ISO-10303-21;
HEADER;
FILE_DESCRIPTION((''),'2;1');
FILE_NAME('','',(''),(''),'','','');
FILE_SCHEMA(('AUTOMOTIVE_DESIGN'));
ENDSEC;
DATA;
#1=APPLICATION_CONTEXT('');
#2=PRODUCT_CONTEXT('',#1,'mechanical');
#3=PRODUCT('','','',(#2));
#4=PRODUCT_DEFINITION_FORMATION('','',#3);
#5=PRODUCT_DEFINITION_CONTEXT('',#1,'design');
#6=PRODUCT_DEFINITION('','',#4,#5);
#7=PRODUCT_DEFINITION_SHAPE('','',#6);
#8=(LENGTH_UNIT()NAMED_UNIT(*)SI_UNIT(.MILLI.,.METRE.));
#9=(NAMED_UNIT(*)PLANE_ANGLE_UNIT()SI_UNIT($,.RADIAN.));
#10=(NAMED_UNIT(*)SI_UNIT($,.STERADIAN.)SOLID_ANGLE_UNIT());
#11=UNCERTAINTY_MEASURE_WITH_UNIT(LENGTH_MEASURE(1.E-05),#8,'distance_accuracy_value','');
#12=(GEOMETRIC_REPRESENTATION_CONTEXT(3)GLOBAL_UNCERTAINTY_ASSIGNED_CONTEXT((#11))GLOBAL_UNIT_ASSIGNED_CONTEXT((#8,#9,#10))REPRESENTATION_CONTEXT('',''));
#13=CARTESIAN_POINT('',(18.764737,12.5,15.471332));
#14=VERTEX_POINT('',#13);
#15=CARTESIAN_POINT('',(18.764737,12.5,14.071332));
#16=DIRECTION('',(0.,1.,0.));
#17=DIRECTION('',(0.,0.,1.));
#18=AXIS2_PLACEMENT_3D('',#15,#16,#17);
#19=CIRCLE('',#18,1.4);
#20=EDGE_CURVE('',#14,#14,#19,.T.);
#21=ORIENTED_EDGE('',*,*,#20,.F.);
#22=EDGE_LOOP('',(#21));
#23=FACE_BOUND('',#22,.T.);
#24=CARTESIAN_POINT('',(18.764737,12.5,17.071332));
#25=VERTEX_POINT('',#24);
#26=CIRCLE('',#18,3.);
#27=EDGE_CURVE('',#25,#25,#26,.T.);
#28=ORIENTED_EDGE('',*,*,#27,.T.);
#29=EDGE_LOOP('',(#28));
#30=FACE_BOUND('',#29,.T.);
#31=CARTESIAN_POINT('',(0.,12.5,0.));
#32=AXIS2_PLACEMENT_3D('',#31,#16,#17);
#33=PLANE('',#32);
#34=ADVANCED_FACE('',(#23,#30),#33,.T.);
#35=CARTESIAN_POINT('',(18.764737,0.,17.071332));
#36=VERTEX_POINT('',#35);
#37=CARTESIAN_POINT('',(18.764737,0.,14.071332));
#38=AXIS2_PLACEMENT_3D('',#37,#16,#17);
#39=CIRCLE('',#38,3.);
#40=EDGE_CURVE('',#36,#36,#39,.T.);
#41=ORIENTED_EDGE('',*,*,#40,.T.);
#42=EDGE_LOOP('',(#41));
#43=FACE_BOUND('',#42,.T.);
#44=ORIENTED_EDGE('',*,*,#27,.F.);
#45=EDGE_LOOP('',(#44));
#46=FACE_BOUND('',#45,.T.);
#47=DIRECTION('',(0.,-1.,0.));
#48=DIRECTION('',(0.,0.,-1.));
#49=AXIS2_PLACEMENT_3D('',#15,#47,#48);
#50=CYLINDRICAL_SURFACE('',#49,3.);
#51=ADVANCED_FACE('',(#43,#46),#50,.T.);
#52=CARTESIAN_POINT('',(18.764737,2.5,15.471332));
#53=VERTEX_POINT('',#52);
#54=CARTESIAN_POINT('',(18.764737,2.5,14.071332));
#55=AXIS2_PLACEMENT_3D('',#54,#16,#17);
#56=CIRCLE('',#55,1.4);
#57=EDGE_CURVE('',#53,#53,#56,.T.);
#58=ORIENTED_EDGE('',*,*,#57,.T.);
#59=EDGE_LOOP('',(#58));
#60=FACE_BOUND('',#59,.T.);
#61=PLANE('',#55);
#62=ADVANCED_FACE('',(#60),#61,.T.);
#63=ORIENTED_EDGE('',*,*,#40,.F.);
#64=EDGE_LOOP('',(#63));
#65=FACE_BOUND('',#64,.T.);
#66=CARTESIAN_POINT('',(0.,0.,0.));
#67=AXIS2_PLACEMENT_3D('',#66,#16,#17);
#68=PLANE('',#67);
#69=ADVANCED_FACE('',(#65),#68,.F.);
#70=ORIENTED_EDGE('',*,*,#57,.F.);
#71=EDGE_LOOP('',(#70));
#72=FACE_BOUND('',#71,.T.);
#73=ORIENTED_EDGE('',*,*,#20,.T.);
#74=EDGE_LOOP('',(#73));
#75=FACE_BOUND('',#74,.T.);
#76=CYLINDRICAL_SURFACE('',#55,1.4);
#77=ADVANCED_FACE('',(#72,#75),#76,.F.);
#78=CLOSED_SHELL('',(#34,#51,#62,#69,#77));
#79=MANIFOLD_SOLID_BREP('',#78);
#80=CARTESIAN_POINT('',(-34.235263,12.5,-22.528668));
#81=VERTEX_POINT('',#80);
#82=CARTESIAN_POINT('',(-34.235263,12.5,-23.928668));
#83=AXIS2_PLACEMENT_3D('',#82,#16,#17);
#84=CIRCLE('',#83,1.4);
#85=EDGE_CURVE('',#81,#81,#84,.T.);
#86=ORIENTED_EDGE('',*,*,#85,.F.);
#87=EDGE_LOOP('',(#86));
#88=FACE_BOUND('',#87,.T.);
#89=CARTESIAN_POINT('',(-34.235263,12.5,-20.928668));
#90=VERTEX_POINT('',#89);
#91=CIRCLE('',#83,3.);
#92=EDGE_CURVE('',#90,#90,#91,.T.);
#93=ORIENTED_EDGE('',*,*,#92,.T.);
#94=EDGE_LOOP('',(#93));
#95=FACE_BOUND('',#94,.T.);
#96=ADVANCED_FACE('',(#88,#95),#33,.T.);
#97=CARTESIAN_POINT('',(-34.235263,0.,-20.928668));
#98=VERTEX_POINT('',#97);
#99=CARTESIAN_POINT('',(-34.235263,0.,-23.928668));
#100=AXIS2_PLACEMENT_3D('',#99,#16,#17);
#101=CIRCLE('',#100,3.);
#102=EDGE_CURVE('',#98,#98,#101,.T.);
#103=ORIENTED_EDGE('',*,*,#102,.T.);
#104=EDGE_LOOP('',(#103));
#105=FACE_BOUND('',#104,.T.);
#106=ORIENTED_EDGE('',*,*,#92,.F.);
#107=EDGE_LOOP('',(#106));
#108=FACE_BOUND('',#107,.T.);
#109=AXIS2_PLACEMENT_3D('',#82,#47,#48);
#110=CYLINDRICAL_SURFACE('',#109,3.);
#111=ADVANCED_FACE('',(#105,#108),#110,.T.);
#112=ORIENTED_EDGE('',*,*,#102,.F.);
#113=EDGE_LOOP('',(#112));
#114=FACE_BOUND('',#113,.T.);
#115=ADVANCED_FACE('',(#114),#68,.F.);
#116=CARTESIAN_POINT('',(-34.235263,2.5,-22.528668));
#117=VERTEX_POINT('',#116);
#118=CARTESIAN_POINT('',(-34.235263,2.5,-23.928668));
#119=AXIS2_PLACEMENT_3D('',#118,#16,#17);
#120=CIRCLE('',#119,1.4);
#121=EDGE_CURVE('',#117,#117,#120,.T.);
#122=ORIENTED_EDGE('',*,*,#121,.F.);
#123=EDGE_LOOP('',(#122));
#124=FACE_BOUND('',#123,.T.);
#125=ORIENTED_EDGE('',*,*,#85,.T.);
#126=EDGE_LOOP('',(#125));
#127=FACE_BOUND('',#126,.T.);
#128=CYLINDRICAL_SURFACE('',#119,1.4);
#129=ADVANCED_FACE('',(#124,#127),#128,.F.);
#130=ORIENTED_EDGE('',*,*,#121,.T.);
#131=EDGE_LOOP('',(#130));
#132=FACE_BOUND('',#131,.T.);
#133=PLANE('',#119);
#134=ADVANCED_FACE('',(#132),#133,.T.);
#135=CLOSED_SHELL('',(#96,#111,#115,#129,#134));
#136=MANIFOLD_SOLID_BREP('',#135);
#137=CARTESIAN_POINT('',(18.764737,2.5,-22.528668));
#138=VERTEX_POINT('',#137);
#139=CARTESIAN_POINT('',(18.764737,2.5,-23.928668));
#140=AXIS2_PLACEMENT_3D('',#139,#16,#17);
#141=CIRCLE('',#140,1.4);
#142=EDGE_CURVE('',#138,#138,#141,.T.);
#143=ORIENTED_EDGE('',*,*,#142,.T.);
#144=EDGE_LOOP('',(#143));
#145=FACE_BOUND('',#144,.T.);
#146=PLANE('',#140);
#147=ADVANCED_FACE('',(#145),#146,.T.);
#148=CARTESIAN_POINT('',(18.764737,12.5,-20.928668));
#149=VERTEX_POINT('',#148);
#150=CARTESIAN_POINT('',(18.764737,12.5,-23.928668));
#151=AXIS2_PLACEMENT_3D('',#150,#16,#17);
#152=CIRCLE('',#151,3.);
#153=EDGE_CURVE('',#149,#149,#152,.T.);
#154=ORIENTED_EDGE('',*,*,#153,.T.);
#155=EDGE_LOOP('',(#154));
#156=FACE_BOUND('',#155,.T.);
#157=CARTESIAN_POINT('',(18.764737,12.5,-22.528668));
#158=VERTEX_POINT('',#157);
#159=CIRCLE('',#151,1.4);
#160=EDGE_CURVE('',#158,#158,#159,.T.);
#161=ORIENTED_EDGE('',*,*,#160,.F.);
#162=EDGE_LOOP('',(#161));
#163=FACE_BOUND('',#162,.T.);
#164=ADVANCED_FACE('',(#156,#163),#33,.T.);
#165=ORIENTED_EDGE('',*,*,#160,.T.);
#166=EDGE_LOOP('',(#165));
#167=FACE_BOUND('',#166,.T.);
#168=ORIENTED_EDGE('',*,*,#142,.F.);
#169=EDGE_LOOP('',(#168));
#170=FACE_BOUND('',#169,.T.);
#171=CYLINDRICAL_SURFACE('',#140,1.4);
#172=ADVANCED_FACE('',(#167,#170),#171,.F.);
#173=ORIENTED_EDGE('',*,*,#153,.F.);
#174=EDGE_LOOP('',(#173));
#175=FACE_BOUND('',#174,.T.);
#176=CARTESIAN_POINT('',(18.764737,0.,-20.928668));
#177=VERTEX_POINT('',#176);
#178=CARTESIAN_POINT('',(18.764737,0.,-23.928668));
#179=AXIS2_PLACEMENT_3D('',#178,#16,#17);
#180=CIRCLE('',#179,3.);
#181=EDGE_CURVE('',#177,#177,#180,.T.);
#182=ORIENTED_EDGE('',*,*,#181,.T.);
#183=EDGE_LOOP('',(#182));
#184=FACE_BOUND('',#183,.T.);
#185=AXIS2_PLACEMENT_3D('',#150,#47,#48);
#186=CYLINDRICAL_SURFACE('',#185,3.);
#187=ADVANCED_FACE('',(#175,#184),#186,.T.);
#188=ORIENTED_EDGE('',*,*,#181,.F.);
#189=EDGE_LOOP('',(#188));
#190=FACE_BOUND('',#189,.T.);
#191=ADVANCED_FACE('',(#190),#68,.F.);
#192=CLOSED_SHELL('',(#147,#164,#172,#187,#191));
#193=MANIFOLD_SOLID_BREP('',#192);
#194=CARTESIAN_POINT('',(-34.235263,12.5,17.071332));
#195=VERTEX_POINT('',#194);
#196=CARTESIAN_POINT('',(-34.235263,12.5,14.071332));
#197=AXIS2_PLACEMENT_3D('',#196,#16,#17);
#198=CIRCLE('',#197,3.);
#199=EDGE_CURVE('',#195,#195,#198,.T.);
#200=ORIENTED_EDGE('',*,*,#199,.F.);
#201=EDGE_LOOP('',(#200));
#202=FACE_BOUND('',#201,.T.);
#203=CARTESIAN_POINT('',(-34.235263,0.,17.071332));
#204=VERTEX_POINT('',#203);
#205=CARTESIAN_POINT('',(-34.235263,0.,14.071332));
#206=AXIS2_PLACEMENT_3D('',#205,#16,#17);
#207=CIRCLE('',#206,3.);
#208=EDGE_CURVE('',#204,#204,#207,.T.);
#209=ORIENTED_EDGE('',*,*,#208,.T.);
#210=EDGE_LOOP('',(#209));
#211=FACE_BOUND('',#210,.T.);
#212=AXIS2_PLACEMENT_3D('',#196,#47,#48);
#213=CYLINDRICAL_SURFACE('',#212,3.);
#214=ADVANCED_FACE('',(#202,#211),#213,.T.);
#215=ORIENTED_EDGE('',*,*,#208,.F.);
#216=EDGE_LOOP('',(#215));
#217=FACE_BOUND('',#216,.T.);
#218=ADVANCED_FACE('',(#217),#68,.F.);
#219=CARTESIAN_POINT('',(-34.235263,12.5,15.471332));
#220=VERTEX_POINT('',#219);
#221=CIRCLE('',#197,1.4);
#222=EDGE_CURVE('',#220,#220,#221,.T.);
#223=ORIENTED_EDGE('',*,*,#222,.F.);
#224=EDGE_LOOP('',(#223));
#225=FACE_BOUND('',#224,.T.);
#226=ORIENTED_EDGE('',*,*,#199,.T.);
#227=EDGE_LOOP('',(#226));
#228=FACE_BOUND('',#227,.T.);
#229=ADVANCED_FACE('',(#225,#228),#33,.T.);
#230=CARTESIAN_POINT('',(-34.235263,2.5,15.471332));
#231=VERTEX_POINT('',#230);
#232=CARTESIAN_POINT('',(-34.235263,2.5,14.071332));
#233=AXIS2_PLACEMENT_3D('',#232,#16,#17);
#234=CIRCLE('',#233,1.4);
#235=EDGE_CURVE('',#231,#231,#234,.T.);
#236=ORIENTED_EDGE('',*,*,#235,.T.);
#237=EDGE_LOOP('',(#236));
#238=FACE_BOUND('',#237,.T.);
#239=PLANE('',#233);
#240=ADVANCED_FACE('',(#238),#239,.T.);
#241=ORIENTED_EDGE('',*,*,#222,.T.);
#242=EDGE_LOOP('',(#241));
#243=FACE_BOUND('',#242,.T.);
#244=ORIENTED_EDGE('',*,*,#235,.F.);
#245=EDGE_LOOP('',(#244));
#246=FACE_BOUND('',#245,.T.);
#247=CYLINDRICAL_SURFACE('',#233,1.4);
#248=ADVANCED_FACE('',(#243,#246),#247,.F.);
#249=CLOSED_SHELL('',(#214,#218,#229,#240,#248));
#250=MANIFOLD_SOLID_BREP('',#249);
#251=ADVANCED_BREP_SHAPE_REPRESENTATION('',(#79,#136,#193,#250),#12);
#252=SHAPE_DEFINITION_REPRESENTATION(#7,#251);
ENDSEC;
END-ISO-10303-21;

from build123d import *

# Parameters (mm, degrees)
SKETCH1_R             = 3
BOSS_EXTRUDE1_DEPTH   = 12.5
BOSS_EXTRUDE1_2_DEPTH = 12.5
BOSS_EXTRUDE1_3_DEPTH = 12.5
BOSS_EXTRUDE1_4_DEPTH = 12.5
SKETCH2_R             = 1.4
CUT_EXTRUDE1_DEPTH    = 10


with BuildPart() as part:
    # Sketch1 → Boss-Extrude1 (new body)
    with BuildSketch(Plane(origin=(0, 0, 0), x_dir=(1, 0, 0), z_dir=(0, 1, 0))):
        with Locations(Location((-34.235262899, 23.928667677, 0), (0, 0, 270))):
            Circle(SKETCH1_R)
    extrude(amount=BOSS_EXTRUDE1_DEPTH)


with BuildPart() as body_2:
    # Sketch1 → Boss-Extrude1 2 (new body)
    with BuildSketch(Plane(origin=(0, 0, 0), x_dir=(1, 0, 0), z_dir=(0, 1, 0))):
        with Locations(Location((-34.235262899, -14.071332323, 0), (0, 0, 270))):
            Circle(SKETCH1_R)
    extrude(amount=BOSS_EXTRUDE1_2_DEPTH)


with BuildPart() as body_3:
    # Sketch1 → Boss-Extrude1 3 (new body)
    with BuildSketch(Plane(origin=(0, 0, 0), x_dir=(1, 0, 0), z_dir=(0, 1, 0))):
        with Locations(Location((18.764737101, -14.071332323, 0), (0, 0, 270))):
            Circle(SKETCH1_R)
    extrude(amount=BOSS_EXTRUDE1_3_DEPTH)


with BuildPart() as body_4:
    # Sketch1 → Boss-Extrude1 4 (new body)
    with BuildSketch(Plane(origin=(0, 0, 0), x_dir=(1, 0, 0), z_dir=(0, 1, 0))):
        with Locations(Location((18.764737101, 23.928667677, 0), (0, 0, 270))):
            Circle(SKETCH1_R)
    extrude(amount=BOSS_EXTRUDE1_4_DEPTH)


with BuildPart() as cut_extrude1_tool:
    # Sketch2 → Cut-Extrude1 (new body)
    with BuildSketch(Plane(origin=(0, 12.5, 0), x_dir=(1, 0, 0), z_dir=(0, 1, 0))):
        with Locations(Location((-34.235262899, 23.928667677, 0), (0, 0, 270))):
            Circle(SKETCH2_R)
        with Locations(Location((18.764737101, 23.928667677, 0), (0, 0, 270))):
            Circle(SKETCH2_R)
        with Locations(Location((18.764737101, -14.071332323, 0), (0, 0, 270))):
            Circle(SKETCH2_R)
        with Locations(Location((-34.235262899, -14.071332323, 0), (0, 0, 270))):
            Circle(SKETCH2_R)
    extrude(amount=-CUT_EXTRUDE1_DEPTH)


with BuildPart() as part_1:
    add(part.part)

    # Cut-Extrude1: cut by cut_extrude1_tool
    add(cut_extrude1_tool.part, mode=Mode.SUBTRACT)


with BuildPart() as body_2_1:
    add(body_2.part)

    # Cut-Extrude1: cut by cut_extrude1_tool
    add(cut_extrude1_tool.part, mode=Mode.SUBTRACT)


with BuildPart() as body_3_1:
    add(body_3.part)

    # Cut-Extrude1: cut by cut_extrude1_tool
    add(cut_extrude1_tool.part, mode=Mode.SUBTRACT)


with BuildPart() as body_4_1:
    add(body_4.part)

    # Cut-Extrude1: cut by cut_extrude1_tool
    add(cut_extrude1_tool.part, mode=Mode.SUBTRACT)


solid = Compound([part_1.part, body_2_1.part, body_3_1.part, body_4_1.part])
